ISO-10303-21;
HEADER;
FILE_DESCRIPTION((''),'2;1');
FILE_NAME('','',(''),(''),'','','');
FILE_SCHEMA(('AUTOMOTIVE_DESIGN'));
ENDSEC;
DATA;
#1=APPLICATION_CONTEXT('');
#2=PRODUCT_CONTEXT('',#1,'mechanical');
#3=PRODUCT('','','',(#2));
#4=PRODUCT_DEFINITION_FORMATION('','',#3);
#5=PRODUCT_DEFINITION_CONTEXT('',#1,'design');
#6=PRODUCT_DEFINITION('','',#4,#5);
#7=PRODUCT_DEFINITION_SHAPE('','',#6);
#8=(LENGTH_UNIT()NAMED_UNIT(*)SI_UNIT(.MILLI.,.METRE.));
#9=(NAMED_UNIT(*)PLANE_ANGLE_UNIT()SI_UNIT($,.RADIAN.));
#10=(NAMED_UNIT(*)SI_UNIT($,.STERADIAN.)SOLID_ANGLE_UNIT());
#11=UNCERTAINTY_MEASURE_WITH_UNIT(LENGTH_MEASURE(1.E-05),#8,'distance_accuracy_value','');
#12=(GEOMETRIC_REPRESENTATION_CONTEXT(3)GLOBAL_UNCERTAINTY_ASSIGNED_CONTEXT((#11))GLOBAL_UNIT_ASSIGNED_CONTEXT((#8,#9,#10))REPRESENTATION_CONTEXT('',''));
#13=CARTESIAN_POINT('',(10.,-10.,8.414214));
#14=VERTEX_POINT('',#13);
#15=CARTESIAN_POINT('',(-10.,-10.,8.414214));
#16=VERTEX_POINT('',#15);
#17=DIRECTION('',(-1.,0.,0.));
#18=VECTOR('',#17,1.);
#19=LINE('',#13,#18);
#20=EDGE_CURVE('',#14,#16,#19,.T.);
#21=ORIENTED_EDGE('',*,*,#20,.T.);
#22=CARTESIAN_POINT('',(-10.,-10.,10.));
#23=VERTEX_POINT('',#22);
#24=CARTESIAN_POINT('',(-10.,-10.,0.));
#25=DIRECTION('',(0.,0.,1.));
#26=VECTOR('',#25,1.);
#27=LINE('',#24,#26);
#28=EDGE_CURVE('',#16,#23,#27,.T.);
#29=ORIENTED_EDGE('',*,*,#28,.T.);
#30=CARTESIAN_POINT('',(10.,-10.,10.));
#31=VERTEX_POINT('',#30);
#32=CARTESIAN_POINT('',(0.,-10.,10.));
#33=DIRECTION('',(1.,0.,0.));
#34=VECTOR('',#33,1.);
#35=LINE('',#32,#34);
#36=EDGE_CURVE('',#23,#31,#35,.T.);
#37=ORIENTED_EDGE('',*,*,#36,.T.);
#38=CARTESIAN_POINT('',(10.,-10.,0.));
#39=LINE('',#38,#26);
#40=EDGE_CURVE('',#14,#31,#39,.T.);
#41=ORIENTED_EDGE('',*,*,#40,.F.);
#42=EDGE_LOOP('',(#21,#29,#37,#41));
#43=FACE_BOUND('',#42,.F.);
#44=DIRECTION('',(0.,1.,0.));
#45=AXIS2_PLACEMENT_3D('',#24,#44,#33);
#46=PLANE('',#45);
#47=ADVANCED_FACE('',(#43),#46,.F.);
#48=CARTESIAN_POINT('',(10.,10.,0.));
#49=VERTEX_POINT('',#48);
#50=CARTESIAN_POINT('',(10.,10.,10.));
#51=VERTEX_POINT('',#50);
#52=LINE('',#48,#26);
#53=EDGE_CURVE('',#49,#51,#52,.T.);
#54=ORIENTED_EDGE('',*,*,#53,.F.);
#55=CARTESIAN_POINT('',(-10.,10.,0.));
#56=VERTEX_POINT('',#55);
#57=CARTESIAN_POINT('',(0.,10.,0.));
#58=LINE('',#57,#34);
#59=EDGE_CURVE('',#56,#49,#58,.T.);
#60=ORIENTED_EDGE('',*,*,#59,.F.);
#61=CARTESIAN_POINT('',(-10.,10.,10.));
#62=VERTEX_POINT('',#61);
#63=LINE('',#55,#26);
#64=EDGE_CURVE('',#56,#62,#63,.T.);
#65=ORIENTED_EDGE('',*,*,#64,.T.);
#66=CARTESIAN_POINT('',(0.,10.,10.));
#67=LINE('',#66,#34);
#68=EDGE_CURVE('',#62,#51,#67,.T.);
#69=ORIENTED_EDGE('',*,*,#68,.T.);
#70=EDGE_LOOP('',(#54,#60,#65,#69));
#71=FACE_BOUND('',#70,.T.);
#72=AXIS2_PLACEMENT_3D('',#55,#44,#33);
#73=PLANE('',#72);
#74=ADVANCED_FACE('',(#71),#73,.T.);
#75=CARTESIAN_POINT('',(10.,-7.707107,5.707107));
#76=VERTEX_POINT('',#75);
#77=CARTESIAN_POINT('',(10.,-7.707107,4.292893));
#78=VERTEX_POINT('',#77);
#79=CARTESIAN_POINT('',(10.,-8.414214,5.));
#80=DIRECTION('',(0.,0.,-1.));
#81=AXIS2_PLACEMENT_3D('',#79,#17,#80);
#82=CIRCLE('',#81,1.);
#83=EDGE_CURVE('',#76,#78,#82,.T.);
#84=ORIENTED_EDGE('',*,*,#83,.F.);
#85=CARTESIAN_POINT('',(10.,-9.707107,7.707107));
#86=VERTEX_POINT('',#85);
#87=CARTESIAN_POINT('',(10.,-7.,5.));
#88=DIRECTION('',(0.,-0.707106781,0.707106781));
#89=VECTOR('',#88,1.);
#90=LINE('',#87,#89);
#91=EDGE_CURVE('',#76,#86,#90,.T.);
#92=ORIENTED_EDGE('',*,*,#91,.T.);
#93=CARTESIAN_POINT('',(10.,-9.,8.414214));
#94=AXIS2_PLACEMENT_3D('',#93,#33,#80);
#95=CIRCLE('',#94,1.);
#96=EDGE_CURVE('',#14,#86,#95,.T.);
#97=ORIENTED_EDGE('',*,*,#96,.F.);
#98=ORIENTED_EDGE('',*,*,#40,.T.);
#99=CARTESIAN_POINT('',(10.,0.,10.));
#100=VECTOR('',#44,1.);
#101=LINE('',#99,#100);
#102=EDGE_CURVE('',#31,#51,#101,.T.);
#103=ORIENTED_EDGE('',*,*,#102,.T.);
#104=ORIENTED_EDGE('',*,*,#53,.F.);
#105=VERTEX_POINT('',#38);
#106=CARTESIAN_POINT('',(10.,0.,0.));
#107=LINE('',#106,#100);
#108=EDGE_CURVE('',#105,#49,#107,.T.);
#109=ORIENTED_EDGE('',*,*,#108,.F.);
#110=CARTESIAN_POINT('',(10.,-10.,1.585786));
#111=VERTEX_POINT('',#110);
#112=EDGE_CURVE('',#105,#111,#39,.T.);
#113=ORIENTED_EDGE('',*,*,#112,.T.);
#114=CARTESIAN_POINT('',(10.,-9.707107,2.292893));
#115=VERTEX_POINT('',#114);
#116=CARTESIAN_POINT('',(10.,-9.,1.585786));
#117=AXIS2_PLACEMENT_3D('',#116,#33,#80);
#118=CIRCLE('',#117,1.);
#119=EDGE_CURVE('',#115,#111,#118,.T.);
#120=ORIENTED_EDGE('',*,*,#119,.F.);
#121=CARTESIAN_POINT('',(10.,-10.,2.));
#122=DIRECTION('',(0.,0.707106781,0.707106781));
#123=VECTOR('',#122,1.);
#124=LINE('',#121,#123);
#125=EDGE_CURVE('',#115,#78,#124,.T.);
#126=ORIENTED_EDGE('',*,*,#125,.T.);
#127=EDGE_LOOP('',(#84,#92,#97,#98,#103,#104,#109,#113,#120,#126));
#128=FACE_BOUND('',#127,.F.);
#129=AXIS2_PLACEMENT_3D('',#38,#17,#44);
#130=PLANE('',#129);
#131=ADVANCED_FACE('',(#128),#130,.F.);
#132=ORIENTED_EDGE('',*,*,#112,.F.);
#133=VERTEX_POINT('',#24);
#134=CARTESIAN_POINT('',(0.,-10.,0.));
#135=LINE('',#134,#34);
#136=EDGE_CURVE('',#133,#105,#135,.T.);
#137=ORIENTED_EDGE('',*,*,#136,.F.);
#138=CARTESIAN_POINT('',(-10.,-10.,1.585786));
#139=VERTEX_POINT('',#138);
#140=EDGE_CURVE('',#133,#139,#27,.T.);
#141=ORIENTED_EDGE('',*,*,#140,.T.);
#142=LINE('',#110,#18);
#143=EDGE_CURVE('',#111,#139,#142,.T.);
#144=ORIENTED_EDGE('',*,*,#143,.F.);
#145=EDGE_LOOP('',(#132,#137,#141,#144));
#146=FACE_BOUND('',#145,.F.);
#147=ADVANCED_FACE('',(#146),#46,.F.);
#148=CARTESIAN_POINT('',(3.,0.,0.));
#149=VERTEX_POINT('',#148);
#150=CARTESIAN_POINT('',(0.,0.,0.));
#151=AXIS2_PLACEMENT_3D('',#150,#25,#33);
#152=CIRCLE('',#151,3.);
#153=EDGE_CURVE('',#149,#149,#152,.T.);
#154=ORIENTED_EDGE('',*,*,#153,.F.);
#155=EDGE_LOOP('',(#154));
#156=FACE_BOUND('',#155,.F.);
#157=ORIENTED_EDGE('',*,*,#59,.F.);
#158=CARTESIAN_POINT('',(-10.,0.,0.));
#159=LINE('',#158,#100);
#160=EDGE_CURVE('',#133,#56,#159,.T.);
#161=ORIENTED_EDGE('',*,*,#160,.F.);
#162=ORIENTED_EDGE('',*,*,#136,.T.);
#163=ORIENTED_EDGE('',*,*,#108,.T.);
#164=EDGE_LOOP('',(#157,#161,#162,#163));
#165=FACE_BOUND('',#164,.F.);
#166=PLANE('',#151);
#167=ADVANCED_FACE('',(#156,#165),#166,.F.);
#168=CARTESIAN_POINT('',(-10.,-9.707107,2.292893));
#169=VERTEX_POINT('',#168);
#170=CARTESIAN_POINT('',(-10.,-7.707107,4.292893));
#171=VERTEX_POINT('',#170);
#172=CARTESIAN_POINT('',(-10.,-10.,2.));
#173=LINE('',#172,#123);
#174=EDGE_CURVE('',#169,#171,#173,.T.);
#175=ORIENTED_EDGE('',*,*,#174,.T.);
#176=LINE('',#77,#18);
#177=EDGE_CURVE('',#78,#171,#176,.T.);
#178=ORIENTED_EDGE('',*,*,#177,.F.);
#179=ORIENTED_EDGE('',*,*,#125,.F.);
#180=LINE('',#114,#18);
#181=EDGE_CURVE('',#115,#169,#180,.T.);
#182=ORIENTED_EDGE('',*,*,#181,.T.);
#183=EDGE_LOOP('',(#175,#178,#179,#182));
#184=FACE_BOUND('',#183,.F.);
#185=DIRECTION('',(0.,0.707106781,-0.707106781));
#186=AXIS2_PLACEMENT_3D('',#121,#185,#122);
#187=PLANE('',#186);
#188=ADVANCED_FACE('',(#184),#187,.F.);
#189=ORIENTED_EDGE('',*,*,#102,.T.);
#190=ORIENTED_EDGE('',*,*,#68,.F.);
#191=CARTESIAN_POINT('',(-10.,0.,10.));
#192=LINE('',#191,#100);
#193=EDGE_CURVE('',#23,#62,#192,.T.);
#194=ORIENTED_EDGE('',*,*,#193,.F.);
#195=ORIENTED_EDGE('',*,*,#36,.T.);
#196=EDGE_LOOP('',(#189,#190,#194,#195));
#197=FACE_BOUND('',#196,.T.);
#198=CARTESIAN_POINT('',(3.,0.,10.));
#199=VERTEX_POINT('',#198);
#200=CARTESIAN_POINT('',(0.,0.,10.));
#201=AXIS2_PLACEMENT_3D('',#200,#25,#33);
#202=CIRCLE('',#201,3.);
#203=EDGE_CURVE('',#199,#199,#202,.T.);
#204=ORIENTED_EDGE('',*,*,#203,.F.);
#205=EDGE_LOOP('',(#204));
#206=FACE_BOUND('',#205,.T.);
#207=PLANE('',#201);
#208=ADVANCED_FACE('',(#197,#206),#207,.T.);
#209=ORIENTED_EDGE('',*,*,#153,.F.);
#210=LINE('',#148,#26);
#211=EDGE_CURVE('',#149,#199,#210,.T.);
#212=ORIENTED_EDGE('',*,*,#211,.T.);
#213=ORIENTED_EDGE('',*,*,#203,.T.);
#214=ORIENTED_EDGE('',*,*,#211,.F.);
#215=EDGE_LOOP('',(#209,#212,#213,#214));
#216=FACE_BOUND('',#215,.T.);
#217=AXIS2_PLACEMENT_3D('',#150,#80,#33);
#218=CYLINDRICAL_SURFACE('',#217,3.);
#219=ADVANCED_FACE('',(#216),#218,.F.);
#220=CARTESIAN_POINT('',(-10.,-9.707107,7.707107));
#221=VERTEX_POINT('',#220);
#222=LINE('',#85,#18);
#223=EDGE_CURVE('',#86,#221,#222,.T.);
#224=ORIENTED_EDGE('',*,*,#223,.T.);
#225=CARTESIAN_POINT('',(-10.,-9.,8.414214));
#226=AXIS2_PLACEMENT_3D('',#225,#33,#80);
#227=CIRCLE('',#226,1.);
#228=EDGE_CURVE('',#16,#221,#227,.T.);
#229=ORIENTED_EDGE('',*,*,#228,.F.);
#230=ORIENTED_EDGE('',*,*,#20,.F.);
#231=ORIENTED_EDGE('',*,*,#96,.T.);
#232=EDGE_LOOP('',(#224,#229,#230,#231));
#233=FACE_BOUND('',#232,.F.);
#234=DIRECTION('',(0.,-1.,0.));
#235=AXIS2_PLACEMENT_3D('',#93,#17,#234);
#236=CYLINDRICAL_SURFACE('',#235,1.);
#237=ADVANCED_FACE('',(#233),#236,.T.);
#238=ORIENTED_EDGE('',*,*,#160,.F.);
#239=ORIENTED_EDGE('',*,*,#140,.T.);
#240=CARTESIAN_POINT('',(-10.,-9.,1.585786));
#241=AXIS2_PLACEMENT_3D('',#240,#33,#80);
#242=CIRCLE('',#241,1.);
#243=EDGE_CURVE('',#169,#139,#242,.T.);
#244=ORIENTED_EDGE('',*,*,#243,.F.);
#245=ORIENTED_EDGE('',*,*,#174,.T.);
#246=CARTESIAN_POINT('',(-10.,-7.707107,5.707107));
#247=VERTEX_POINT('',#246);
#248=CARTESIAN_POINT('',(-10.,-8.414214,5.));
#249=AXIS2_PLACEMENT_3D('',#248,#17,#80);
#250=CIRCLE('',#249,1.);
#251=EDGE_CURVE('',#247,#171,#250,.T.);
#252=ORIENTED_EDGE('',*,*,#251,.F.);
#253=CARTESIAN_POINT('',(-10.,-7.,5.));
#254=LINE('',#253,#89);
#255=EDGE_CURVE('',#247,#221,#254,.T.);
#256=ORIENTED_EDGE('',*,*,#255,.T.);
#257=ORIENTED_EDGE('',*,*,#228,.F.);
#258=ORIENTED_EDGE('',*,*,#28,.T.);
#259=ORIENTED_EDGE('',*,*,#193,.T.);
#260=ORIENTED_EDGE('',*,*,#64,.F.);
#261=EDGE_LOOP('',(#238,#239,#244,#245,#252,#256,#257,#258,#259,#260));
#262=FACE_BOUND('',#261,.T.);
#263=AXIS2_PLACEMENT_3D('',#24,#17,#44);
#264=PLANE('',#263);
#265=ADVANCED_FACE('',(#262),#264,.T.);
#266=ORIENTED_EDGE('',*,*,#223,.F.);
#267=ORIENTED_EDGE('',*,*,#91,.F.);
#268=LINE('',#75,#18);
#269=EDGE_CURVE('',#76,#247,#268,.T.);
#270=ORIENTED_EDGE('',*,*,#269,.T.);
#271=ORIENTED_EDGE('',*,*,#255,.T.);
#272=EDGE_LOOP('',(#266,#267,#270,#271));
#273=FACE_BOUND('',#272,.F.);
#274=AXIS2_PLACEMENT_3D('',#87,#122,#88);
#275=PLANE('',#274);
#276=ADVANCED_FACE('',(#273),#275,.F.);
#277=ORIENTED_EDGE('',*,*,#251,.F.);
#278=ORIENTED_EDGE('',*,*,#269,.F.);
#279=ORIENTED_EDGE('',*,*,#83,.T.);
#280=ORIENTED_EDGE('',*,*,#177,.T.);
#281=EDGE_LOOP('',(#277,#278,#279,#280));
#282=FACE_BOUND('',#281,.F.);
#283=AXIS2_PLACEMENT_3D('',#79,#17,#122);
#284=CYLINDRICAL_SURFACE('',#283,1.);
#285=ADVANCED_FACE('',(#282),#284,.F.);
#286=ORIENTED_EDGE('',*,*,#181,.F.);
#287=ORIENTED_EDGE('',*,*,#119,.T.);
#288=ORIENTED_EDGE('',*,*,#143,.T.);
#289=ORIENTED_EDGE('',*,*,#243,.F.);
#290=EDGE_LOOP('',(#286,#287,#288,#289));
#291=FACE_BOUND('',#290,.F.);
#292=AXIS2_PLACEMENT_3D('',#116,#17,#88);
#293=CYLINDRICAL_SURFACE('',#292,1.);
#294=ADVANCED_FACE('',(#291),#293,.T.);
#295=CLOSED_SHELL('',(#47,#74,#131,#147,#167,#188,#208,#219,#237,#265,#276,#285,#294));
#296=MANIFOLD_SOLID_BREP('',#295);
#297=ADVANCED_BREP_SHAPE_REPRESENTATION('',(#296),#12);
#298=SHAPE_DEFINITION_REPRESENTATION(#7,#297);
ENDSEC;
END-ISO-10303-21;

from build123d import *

# Parameters (mm, degrees)
F0_W     = 20
F0_H     = 20
F0_R     = 3
F1_DEPTH = 10
F3_DEPTH = 20
F4_R     = 1


with BuildPart() as f1:
    # F0 (on Top) → F1 (new body)
    with BuildSketch(Plane.XY):
        Rectangle(F0_W, F0_H)
        Circle(F0_R, mode=Mode.SUBTRACT)
    extrude(amount=F1_DEPTH)

    # F2 (on face) → F3 (cut, through all)
    with BuildSketch(Plane.YZ.offset(10)):
        Polygon((-7, 5), (-10, 8), (-10, 2), align=None)
    extrude(amount=-F3_DEPTH, mode=Mode.SUBTRACT)

    # F4
    f4_edges = [f1.edges().sort_by_distance(p)[0] for p in [
        (0, -7, 5),
        (0, -10, 8),
        (0, -10, 2),
    ]]
    fillet(f4_edges, radius=F4_R)


solid = f1.part
